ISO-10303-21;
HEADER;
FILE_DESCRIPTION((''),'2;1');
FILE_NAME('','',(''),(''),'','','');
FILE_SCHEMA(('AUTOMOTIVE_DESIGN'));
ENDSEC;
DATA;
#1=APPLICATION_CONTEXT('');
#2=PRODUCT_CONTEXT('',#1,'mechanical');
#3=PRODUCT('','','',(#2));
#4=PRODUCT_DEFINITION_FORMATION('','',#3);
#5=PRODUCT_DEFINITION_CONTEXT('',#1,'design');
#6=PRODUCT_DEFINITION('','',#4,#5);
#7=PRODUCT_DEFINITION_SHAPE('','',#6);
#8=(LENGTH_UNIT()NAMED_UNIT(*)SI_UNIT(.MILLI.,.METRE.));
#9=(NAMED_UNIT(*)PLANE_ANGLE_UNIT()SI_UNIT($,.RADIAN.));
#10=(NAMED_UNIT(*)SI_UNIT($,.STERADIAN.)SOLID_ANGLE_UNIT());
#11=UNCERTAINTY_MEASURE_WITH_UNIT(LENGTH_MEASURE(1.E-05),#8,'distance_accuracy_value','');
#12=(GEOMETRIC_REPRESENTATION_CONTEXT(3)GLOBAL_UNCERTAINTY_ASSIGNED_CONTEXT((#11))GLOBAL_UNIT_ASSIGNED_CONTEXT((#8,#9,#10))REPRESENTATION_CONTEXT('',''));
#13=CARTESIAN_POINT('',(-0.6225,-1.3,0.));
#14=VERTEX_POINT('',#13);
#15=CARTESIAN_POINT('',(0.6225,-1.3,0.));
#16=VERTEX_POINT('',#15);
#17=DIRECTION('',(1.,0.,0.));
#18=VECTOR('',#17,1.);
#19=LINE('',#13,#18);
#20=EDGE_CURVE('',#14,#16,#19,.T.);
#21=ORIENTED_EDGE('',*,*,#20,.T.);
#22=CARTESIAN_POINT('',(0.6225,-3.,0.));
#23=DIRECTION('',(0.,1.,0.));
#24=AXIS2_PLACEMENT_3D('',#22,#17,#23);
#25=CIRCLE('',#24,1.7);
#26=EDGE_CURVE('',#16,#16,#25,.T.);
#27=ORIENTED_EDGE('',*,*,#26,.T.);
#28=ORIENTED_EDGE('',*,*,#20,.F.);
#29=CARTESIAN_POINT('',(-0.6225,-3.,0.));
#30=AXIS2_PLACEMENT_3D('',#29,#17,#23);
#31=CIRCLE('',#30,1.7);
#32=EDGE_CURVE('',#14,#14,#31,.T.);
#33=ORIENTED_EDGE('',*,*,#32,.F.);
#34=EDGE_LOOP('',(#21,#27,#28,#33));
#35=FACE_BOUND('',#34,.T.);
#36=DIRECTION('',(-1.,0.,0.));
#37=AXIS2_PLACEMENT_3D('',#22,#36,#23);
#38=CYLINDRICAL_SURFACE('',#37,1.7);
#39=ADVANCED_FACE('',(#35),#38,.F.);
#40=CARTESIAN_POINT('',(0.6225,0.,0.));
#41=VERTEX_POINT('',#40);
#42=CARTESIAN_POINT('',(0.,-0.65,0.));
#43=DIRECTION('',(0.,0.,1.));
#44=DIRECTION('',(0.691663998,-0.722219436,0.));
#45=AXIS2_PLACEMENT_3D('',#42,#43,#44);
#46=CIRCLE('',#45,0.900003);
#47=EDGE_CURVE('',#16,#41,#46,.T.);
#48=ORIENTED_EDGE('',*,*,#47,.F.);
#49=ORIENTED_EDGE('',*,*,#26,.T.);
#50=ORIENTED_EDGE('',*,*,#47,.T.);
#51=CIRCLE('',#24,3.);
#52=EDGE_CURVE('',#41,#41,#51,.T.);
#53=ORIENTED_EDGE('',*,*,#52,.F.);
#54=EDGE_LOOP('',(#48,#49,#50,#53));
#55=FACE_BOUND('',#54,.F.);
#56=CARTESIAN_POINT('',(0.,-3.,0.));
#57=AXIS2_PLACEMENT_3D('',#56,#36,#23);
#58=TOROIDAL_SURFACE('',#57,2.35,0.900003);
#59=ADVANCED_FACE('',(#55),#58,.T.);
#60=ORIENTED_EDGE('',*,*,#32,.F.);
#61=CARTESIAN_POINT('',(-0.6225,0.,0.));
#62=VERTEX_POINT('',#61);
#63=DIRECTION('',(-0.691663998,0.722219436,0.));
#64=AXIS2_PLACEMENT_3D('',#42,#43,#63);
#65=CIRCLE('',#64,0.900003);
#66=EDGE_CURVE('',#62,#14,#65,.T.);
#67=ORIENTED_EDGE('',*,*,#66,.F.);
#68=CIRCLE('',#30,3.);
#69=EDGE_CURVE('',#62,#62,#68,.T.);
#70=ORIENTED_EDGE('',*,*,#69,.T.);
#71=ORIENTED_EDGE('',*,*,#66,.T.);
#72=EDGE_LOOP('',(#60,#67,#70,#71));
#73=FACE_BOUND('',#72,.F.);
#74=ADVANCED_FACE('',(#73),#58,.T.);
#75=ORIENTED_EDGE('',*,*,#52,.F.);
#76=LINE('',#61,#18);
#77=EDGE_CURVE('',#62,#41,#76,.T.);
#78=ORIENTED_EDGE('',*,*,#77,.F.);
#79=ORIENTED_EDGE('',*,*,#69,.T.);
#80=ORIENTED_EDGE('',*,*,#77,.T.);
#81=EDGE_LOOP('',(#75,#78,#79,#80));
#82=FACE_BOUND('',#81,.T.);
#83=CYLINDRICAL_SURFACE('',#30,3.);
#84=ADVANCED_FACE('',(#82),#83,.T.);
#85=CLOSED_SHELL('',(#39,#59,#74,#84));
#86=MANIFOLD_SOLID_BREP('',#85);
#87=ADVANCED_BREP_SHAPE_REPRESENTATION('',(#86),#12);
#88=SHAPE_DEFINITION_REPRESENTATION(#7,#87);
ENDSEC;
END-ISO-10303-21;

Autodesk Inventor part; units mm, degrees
ref_plane "YZ Plane" through (0, 0, 0) normal (1, 0, 0) x (0, 1, 0)
ref_plane "XZ Plane" through (0, 0, 0) normal (0, 1, 0) x (-1, 0, 0)
ref_plane "XY Plane" through (0, 0, 0) normal (0, 0, 1) x (1, 0, 0)
sketch "Sketch1" plane through (0, 0, 0) normal (0, 0, 1) x (1, 0, 0)
  line L0 (-0.6225, 0) -> (0.6225, 0)
  line L1 (-2.4121, 0) -> (3.0062, 0) projected
  line L2 (0.6225, -1.3) -> (-0.6225, -1.3)
  arc A0 (-0.6225, 0) -> (-0.6225, -1.3) centre (0, -0.65) ccw
  line L3 (-1.6381, -3) -> (2.2322, -3)
  line L4 (0, 1.8) -> (0, -10.8) projected
  arc A1 (0.6225, -1.3) -> (0.6225, 0) centre (0, -0.65) ccw
  line L5 (0, 0) -> (0, 0) construction
  dimension "d0" = 3.4
  dimension "d1" = 0.65
  dimension "d2" = 6
  dimension "d3" = 0.9
revolve "Body" add sketch "Sketch1" angle 360 about axis through (-1.6381, -3, 0) along (1, 0, 0)
equation "\"d0\" = NDOR"
equation "\"d1\" = -0.25 * NDOR + 0.25 * NND"
equation "\"d2\" = NND"
equation "\"d3\" = 0.5 * QDM"
equation "\"QDM\" = 1.8"
equation "\"NND\" = 6"
equation "\"NDOR\" = 3.4"
equation "\"R2\" = 0.2"
equation "\"NB3\" = 5.2"
equation "\"SD1\" = 3.15"
equation "\"R1\" = 0.3"
equation "\"NB2\" = 3.8"
equation "\"NB1\" = 2.4"
equation "\"BD\" = 5.88"
equation "\"NTOR\" = -0.5 * NDOR + 0.5 * NND"
properties part number "DIN 3771 - 3.15 x 1.8 - N - NBR 70" material "Rubber"
